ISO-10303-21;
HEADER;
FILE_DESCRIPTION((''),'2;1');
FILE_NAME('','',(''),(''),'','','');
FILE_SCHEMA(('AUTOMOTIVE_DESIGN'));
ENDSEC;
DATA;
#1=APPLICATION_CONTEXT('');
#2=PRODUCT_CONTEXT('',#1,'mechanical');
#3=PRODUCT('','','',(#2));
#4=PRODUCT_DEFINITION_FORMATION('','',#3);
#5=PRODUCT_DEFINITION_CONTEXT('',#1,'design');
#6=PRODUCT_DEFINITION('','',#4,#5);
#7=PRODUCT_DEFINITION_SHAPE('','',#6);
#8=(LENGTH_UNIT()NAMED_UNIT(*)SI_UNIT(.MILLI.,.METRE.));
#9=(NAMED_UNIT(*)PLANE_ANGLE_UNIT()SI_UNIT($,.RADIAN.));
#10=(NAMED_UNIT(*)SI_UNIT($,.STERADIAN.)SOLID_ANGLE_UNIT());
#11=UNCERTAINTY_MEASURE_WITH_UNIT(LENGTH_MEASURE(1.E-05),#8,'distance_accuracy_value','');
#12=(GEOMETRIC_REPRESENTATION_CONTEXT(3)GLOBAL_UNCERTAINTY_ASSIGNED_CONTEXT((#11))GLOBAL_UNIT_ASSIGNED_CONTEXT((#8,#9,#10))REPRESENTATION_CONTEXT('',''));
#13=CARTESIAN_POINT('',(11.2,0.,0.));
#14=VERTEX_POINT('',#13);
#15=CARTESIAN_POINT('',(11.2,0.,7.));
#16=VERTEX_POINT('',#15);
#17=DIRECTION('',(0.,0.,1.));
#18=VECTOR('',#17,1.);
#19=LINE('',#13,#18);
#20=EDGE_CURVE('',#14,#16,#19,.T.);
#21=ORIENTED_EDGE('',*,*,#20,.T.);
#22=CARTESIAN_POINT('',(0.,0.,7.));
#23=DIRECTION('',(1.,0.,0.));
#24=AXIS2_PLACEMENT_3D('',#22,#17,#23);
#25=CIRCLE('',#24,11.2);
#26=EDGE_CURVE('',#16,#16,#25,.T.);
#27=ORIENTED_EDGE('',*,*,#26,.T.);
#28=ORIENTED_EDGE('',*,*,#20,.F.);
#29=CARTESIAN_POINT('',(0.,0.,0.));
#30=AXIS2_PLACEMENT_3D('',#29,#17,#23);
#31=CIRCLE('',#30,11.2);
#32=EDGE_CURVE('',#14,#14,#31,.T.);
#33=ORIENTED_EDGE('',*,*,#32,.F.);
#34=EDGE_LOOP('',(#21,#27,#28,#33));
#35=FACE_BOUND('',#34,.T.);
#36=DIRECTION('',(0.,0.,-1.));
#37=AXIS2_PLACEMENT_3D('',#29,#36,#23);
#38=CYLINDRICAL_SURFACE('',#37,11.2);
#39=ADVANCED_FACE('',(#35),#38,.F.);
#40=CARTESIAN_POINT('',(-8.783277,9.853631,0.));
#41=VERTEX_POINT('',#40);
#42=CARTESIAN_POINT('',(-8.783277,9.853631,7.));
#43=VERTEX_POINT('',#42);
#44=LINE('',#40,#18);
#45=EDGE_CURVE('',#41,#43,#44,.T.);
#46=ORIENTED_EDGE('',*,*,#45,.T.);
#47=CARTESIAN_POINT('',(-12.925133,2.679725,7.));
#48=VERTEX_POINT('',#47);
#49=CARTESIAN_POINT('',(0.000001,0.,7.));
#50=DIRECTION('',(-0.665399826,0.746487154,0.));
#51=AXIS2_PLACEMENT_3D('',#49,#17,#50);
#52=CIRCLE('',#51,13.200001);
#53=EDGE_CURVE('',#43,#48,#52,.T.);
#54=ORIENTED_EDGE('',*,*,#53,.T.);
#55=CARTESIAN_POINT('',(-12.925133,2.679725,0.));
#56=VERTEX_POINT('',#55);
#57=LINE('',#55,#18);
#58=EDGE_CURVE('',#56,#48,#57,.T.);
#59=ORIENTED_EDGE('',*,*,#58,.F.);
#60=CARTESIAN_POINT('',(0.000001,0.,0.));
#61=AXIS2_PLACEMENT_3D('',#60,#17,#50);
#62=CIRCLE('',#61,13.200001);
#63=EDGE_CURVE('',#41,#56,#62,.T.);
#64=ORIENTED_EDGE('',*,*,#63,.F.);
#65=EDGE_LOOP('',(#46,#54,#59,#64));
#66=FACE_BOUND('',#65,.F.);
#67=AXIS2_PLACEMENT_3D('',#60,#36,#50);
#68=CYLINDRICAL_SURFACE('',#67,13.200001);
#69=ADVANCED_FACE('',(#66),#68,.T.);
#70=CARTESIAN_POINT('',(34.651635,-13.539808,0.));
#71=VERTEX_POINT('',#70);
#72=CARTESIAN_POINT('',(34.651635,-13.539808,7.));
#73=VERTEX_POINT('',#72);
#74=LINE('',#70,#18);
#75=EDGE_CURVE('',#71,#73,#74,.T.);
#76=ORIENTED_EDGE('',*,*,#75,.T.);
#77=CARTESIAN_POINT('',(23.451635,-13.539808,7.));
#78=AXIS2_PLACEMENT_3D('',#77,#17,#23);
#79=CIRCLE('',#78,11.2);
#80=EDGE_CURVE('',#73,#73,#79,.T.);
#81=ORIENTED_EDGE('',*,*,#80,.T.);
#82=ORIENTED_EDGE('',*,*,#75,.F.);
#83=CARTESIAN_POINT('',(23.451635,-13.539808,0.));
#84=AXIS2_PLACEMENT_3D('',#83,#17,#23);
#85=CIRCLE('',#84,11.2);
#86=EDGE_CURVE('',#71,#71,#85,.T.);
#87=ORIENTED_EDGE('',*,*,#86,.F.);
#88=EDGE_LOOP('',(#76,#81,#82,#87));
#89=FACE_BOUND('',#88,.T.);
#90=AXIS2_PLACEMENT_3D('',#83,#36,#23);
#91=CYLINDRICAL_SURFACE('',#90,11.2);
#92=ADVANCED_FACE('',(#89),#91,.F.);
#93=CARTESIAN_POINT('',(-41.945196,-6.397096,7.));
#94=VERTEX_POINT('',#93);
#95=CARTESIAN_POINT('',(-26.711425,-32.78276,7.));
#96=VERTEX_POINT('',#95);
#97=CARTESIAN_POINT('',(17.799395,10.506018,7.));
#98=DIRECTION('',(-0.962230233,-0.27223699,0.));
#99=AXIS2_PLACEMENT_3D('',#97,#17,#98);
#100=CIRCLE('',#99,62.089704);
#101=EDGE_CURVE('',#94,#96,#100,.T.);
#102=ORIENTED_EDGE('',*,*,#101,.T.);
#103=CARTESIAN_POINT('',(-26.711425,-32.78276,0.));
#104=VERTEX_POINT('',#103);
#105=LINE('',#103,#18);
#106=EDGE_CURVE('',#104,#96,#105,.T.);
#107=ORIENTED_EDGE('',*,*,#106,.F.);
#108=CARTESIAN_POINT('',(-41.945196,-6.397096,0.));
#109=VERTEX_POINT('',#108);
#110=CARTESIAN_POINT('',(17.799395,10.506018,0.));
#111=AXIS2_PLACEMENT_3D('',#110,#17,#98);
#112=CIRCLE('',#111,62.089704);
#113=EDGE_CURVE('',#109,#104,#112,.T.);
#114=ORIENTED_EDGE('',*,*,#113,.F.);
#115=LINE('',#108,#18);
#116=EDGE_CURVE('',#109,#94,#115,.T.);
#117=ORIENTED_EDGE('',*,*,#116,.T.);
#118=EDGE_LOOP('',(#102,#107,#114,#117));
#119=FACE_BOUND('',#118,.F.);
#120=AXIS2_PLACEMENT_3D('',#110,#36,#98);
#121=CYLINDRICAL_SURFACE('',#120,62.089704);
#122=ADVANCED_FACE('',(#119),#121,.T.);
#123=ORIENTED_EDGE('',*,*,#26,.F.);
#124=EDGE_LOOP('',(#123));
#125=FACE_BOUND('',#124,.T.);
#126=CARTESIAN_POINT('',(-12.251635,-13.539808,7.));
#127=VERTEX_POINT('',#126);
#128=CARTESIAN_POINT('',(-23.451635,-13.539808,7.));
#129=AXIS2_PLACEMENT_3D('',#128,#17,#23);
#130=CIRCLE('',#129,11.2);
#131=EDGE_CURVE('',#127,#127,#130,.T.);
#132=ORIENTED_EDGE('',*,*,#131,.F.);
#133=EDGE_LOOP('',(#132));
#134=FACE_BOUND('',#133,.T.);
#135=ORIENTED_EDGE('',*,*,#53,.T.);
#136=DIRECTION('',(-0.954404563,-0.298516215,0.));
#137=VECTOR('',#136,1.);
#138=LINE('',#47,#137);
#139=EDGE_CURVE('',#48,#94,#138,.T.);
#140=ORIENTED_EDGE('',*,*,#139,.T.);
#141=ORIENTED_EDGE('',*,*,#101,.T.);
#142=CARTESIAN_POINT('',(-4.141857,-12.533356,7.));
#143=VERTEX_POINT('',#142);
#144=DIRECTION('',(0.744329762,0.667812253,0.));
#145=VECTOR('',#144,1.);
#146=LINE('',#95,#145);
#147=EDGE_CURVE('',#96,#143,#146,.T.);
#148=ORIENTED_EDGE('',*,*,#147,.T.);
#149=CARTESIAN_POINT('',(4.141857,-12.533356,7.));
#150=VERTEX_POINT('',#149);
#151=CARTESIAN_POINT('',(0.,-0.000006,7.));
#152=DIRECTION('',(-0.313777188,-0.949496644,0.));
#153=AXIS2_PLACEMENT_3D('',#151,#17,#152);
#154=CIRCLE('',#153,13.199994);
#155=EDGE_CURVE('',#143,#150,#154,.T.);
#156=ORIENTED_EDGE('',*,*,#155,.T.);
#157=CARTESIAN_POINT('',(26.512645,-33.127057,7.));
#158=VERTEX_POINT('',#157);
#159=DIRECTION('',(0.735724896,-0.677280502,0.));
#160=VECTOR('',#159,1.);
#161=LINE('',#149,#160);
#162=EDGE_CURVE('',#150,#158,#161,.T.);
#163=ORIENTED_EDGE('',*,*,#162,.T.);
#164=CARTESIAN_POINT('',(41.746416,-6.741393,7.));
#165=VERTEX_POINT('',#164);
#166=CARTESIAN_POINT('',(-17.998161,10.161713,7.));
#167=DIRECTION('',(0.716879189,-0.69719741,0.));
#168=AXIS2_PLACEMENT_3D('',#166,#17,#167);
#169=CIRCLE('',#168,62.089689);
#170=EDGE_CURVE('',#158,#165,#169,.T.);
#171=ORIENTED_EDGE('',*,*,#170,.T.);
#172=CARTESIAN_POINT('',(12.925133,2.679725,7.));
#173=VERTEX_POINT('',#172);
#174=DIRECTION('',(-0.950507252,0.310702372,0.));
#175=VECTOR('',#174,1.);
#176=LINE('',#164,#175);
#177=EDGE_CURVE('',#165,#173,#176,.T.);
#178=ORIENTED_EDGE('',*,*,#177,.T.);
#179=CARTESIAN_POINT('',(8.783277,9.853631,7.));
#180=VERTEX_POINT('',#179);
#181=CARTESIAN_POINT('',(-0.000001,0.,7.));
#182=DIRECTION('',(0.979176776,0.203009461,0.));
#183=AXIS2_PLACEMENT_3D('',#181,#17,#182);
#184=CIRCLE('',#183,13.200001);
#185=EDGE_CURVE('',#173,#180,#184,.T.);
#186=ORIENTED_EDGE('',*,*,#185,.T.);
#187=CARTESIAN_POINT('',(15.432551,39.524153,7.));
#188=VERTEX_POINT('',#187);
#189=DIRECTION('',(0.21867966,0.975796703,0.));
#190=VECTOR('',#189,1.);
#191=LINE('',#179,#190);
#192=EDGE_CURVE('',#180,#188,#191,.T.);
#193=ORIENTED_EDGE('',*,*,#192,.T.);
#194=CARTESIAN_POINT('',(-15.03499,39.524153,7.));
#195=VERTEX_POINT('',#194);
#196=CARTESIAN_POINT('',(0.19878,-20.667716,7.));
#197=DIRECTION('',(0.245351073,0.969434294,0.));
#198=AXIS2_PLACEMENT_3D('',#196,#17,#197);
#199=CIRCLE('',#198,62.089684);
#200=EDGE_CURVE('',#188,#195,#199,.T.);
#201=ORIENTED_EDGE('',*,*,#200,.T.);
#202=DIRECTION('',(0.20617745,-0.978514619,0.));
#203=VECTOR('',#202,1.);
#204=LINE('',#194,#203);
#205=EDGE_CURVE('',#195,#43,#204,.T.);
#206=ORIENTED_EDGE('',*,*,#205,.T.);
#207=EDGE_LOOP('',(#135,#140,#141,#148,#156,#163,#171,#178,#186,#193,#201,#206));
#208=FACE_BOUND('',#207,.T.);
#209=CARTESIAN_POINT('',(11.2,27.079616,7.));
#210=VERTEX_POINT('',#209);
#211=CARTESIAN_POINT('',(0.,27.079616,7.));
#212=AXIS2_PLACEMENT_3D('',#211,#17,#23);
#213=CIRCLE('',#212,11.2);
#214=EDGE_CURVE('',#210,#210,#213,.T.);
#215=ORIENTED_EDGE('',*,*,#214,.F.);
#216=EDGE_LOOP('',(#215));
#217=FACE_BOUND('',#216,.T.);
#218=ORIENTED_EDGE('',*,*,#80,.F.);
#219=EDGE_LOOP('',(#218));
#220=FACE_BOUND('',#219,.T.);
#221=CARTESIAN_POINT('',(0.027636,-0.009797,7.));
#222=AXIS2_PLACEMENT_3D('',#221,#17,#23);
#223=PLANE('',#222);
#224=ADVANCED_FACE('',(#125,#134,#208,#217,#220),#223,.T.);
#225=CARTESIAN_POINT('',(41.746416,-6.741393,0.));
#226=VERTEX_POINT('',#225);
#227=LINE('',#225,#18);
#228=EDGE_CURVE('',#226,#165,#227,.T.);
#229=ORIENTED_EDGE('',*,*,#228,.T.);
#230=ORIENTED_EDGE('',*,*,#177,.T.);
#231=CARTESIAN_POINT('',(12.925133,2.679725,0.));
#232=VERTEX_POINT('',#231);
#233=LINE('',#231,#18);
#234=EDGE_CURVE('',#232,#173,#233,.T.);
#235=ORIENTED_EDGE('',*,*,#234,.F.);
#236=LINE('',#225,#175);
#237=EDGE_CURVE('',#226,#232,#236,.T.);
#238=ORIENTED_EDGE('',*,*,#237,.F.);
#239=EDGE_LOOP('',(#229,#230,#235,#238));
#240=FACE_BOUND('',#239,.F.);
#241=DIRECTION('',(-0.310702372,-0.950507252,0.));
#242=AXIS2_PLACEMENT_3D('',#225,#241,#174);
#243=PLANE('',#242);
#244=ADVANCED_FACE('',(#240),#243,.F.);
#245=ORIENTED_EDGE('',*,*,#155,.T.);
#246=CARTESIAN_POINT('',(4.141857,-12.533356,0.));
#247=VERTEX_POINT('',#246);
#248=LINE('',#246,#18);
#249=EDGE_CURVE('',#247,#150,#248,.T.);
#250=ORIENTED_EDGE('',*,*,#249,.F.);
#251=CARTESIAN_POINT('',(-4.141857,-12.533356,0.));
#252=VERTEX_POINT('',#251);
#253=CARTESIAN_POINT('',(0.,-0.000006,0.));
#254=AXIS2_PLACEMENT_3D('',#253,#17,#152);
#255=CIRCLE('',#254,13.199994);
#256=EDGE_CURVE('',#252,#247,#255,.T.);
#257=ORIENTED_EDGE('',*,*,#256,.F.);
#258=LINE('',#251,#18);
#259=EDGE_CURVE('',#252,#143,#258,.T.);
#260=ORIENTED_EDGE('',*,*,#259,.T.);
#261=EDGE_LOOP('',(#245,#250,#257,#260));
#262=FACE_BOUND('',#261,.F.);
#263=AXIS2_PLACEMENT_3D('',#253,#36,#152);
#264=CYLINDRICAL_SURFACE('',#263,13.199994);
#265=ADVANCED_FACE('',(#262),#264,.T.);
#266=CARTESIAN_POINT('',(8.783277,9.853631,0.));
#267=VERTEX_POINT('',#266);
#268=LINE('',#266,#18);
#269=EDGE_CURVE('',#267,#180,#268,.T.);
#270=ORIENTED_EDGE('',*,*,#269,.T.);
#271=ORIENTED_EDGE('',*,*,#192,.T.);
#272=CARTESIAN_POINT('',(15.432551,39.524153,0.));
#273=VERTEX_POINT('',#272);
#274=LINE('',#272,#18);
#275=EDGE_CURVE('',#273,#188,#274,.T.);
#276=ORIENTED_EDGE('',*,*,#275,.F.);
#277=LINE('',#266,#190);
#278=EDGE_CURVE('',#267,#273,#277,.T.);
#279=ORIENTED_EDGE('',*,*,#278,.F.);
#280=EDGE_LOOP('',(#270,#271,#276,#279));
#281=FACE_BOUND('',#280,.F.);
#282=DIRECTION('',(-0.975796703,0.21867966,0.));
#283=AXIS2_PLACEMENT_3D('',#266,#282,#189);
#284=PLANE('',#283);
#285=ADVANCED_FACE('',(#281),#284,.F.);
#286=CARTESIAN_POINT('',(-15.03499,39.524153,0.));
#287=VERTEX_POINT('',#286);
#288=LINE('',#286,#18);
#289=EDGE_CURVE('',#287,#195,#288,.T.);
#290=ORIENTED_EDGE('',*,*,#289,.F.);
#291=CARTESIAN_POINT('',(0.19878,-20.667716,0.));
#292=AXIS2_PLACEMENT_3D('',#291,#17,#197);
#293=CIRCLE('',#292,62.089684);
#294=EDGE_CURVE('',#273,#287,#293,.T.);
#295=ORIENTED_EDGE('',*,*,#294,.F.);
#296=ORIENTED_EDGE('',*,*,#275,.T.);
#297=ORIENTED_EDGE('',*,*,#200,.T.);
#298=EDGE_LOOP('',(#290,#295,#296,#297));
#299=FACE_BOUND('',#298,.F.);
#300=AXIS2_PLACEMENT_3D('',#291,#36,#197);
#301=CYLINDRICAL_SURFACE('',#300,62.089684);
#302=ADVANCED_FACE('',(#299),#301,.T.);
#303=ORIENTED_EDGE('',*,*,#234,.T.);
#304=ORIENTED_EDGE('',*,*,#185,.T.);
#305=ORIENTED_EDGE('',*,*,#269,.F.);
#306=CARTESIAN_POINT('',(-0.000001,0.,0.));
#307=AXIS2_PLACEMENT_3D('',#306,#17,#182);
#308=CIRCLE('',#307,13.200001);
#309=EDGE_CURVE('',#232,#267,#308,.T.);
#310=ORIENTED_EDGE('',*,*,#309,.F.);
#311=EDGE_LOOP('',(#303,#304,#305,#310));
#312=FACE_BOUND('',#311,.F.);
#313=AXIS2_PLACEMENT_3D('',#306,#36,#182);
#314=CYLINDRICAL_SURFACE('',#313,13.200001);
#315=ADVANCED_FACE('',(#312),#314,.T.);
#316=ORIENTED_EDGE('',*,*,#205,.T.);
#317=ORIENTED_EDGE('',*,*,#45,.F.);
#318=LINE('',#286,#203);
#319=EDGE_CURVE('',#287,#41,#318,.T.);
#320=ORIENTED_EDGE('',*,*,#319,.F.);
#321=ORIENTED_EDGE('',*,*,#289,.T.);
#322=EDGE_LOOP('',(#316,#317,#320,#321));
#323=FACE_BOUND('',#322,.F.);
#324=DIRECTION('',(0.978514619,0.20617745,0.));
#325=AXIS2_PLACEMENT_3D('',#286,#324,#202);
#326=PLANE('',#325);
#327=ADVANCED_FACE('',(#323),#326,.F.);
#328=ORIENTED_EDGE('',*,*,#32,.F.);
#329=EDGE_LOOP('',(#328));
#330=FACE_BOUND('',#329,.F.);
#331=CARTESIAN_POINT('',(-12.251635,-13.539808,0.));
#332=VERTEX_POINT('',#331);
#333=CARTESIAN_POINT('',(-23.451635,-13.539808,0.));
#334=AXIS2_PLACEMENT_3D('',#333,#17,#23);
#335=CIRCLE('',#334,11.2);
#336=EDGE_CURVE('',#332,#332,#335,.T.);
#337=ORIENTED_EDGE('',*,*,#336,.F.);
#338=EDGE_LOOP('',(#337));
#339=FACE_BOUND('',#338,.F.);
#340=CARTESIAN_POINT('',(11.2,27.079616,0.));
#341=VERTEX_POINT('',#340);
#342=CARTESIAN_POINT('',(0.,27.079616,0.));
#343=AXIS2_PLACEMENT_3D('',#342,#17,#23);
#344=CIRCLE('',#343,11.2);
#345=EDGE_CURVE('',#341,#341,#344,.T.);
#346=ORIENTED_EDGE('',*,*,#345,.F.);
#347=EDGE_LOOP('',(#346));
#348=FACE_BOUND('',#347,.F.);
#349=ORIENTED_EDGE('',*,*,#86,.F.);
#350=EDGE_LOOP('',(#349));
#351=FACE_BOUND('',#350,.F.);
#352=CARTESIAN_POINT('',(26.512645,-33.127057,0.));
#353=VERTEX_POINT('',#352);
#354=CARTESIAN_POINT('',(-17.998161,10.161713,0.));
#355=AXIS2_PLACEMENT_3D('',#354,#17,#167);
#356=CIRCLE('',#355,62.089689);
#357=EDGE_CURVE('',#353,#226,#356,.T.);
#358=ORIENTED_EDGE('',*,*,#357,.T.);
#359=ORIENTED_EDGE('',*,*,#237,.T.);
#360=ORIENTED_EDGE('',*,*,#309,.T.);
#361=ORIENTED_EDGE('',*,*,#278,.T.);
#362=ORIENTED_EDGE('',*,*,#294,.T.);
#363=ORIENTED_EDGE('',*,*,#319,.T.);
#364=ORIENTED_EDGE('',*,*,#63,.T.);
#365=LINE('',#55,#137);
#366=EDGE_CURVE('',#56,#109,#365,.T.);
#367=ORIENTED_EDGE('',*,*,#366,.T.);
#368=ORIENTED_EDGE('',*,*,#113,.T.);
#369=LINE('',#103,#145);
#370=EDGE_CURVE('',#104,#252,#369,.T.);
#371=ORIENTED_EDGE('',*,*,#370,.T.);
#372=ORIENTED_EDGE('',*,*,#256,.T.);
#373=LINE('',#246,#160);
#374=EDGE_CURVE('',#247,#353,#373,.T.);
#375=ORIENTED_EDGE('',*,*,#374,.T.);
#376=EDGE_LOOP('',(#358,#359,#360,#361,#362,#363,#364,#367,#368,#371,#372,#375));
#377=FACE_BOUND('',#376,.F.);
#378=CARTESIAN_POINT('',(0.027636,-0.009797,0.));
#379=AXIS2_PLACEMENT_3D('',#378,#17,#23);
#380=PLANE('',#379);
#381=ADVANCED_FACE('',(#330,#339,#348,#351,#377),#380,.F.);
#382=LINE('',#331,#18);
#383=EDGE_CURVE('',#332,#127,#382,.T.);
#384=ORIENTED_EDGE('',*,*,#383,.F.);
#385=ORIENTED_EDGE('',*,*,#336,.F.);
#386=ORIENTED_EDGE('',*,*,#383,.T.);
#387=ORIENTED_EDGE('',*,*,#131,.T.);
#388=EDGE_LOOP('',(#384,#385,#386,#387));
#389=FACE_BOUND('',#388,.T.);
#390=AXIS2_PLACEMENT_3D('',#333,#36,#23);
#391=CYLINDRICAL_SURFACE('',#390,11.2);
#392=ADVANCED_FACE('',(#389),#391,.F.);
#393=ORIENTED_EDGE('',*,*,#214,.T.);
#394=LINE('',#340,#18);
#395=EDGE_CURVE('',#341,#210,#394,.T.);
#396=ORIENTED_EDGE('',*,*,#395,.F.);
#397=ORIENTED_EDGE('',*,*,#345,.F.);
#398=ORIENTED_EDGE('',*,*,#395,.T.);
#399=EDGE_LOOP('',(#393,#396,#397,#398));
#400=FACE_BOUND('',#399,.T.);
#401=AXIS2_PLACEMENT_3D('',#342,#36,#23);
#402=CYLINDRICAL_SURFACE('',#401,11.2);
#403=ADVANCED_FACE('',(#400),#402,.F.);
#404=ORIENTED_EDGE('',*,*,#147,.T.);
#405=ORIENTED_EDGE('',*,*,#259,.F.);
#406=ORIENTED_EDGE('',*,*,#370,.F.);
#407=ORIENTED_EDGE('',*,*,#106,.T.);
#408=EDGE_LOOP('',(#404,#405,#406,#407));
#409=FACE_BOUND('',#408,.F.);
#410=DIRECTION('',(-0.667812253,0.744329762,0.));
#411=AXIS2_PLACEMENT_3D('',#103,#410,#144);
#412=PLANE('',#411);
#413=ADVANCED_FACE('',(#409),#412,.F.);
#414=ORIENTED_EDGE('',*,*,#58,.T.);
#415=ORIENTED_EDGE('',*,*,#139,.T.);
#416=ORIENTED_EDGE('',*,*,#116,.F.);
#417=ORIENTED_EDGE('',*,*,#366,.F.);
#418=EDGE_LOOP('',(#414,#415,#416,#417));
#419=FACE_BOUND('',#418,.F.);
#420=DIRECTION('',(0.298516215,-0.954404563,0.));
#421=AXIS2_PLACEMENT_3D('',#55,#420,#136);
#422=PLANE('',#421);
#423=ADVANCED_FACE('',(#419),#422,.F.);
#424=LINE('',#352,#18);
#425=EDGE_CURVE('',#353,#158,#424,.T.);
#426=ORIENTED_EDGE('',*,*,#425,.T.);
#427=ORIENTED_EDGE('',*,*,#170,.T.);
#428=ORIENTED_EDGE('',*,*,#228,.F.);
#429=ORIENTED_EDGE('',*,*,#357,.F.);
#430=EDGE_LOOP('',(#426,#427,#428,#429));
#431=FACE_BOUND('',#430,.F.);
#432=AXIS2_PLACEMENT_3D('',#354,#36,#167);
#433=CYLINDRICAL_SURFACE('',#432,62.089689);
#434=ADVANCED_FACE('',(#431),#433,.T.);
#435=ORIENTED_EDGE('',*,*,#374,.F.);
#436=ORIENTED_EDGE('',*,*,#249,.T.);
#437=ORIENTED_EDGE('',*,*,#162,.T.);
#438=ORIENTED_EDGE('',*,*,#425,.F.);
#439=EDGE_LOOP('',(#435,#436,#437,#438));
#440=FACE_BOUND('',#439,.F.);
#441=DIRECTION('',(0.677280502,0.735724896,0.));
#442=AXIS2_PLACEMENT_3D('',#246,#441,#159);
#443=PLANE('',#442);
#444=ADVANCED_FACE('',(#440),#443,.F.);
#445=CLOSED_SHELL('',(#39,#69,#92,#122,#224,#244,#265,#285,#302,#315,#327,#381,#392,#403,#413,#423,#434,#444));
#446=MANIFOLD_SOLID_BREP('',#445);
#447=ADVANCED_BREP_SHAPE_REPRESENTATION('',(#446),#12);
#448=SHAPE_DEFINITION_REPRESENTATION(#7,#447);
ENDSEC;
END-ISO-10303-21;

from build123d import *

# Parameters (mm, degrees)
F0_R     = 11.2
F1_DEPTH = 7


with BuildPart() as f1:
    # F0 (on Top) → F1 (new body)
    with BuildSketch(Plane.XY):
        with BuildLine():
            ThreePointArc((4.141857, -12.533356), (10.698423, -7.731995), (13.2, 0))
            ThreePointArc((13.2, 0), (13.131104, 1.346893), (12.925133, 2.679725))
            ThreePointArc((12.925133, 2.679725), (11.431535, 6.6), (8.783277, 9.853631))
            ThreePointArc((8.783277, 9.853631), (0, 13.2), (-8.783277, 9.853631))
            ThreePointArc((-8.783277, 9.853631), (-11.431535, 6.6), (-12.925133, 2.679725))
            ThreePointArc((-12.925133, 2.679725), (-11.431535, -6.6), (-4.141857, -12.533356))
            ThreePointArc((-4.141857, -12.533356), (0, -13.2), (4.141857, -12.533356))
        make_face()
        Circle(F0_R, mode=Mode.SUBTRACT)
        with BuildLine():
            ThreePointArc((12.925133, 2.679725), (13.131104, 1.346893), (13.2, 0))
            ThreePointArc((13.2, 0), (10.698423, -7.731995), (4.141857, -12.533356))
            Line((4.141857, -12.533356), (26.512645, -33.127057))
            ThreePointArc((26.512645, -33.127057), (35.773086, -20.883133), (41.746416, -6.741393))
            Line((41.746416, -6.741393), (12.925133, 2.679725))
        make_face()
        with Locations((23.451635, -13.539808)):
            Circle(F0_R, mode=Mode.SUBTRACT)
        with BuildLine():
            ThreePointArc((-8.783277, 9.853631), (0, 13.2), (8.783277, 9.853631))
            Line((8.783277, 9.853631), (15.432551, 39.524153))
            ThreePointArc((15.432551, 39.524153), (0.19878, 41.421968), (-15.03499, 39.524153))
            Line((-15.03499, 39.524153), (-8.783277, 9.853631))
        make_face()
        with Locations((0, 27.079616)):
            Circle(F0_R, mode=Mode.SUBTRACT)
        with BuildLine():
            Line((-26.711425, -32.78276), (-4.141857, -12.533356))
            ThreePointArc((-4.141857, -12.533356), (-11.431535, -6.6), (-12.925133, 2.679725))
            Line((-12.925133, 2.679725), (-41.945196, -6.397096))
            ThreePointArc((-41.945196, -6.397096), (-35.971866, -20.538835), (-26.711425, -32.78276))
        make_face()
        with Locations((-23.451635, -13.539808)):
            Circle(F0_R, mode=Mode.SUBTRACT)
    extrude(amount=F1_DEPTH)


solid = f1.part
